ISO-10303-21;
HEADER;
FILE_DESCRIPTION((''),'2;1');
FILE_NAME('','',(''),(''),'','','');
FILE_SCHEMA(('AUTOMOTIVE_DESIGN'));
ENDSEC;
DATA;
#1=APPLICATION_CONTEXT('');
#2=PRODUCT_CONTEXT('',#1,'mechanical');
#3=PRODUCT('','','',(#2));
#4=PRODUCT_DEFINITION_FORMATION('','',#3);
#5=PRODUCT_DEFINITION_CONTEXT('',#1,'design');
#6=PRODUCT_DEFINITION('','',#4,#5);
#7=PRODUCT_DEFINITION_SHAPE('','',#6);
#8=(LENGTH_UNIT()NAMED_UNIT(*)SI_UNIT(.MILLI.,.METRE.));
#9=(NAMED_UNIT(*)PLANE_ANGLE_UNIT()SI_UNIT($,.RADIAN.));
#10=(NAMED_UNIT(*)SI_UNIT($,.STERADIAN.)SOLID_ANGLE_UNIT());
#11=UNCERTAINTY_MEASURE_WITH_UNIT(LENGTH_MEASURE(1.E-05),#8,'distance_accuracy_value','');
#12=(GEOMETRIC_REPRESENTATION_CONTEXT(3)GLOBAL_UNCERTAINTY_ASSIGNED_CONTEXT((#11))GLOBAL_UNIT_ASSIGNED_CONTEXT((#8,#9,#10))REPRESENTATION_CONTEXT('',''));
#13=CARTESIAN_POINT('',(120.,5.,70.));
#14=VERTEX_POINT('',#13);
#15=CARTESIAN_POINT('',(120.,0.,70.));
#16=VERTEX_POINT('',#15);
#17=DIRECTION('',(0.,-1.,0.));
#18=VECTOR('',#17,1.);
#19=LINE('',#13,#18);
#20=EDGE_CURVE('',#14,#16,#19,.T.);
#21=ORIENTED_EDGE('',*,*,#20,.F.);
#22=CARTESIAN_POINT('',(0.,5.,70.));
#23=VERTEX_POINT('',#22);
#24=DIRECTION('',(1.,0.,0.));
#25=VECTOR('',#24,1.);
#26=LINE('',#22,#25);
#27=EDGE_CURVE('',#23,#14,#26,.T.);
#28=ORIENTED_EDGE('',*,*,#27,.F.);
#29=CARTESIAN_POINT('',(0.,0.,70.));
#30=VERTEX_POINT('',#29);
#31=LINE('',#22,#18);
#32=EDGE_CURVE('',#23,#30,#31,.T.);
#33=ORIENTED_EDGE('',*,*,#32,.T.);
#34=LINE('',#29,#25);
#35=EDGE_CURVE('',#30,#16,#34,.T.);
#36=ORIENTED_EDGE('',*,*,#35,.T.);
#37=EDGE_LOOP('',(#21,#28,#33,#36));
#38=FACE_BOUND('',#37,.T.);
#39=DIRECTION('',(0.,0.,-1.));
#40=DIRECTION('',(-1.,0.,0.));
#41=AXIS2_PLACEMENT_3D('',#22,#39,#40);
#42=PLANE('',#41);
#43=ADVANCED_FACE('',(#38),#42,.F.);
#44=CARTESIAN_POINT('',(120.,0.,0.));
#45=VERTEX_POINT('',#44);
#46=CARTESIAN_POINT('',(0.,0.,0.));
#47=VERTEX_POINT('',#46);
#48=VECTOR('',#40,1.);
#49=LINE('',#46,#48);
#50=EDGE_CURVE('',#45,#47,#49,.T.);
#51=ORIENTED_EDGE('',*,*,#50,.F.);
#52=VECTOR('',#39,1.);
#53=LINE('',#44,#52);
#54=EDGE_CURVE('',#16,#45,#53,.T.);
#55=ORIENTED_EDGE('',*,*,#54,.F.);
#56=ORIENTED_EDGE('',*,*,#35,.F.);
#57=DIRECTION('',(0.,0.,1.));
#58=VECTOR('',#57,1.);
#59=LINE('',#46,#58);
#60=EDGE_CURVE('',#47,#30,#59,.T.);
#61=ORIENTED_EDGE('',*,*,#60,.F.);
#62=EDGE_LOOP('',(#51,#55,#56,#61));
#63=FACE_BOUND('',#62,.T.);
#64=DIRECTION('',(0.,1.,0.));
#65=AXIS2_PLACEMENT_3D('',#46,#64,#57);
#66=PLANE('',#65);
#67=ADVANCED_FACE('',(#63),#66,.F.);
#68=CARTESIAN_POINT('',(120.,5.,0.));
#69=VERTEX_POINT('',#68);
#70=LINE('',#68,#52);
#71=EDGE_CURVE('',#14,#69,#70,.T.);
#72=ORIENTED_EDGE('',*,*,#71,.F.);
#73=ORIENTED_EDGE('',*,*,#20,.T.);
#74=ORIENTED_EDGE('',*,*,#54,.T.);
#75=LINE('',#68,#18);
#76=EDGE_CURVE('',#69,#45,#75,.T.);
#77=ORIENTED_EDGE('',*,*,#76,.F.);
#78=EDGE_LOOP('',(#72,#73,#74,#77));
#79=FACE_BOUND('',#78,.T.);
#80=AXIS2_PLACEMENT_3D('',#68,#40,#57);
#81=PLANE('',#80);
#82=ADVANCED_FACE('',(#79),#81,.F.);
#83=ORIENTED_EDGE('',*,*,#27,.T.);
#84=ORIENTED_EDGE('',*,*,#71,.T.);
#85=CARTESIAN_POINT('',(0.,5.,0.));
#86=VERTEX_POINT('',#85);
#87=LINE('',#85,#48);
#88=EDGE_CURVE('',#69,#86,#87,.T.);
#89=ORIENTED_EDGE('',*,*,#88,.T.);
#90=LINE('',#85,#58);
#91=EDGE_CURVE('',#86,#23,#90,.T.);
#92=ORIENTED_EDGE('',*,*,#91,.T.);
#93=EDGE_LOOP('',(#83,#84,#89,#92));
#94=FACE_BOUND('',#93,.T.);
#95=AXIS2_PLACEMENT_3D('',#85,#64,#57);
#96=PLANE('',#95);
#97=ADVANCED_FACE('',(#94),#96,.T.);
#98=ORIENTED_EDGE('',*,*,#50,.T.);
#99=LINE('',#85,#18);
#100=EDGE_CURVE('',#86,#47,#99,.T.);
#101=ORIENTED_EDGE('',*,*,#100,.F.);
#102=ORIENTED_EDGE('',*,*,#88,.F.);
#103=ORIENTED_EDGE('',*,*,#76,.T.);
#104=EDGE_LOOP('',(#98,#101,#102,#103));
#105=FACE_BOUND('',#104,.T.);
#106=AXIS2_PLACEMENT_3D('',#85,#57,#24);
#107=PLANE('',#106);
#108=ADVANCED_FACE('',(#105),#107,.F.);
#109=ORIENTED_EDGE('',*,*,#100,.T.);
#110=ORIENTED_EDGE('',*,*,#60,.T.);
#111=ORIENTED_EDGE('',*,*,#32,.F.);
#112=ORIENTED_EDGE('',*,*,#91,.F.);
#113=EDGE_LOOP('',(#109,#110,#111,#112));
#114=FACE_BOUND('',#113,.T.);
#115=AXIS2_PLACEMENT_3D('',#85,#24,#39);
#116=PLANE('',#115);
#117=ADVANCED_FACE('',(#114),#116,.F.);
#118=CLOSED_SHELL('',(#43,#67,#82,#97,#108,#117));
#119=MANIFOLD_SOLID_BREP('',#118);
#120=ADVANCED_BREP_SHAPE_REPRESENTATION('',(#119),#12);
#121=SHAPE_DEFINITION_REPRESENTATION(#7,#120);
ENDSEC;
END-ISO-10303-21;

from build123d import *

# Parameters (mm, degrees)
SKETCH_1_W      = 120
SKETCH_1_H      = 70
EXTRUDE_1_DEPTH = 5


with BuildPart() as part:
    # 草图1 → 凸台-拉伸1 (new body)
    with BuildSketch(Plane(origin=(0, 0, 0), x_dir=(1, 0, 0), z_dir=(0, 1, 0))):
        with Locations((60, -35)):
            Rectangle(SKETCH_1_W, SKETCH_1_H)
    extrude(amount=EXTRUDE_1_DEPTH)


solid = part.part
